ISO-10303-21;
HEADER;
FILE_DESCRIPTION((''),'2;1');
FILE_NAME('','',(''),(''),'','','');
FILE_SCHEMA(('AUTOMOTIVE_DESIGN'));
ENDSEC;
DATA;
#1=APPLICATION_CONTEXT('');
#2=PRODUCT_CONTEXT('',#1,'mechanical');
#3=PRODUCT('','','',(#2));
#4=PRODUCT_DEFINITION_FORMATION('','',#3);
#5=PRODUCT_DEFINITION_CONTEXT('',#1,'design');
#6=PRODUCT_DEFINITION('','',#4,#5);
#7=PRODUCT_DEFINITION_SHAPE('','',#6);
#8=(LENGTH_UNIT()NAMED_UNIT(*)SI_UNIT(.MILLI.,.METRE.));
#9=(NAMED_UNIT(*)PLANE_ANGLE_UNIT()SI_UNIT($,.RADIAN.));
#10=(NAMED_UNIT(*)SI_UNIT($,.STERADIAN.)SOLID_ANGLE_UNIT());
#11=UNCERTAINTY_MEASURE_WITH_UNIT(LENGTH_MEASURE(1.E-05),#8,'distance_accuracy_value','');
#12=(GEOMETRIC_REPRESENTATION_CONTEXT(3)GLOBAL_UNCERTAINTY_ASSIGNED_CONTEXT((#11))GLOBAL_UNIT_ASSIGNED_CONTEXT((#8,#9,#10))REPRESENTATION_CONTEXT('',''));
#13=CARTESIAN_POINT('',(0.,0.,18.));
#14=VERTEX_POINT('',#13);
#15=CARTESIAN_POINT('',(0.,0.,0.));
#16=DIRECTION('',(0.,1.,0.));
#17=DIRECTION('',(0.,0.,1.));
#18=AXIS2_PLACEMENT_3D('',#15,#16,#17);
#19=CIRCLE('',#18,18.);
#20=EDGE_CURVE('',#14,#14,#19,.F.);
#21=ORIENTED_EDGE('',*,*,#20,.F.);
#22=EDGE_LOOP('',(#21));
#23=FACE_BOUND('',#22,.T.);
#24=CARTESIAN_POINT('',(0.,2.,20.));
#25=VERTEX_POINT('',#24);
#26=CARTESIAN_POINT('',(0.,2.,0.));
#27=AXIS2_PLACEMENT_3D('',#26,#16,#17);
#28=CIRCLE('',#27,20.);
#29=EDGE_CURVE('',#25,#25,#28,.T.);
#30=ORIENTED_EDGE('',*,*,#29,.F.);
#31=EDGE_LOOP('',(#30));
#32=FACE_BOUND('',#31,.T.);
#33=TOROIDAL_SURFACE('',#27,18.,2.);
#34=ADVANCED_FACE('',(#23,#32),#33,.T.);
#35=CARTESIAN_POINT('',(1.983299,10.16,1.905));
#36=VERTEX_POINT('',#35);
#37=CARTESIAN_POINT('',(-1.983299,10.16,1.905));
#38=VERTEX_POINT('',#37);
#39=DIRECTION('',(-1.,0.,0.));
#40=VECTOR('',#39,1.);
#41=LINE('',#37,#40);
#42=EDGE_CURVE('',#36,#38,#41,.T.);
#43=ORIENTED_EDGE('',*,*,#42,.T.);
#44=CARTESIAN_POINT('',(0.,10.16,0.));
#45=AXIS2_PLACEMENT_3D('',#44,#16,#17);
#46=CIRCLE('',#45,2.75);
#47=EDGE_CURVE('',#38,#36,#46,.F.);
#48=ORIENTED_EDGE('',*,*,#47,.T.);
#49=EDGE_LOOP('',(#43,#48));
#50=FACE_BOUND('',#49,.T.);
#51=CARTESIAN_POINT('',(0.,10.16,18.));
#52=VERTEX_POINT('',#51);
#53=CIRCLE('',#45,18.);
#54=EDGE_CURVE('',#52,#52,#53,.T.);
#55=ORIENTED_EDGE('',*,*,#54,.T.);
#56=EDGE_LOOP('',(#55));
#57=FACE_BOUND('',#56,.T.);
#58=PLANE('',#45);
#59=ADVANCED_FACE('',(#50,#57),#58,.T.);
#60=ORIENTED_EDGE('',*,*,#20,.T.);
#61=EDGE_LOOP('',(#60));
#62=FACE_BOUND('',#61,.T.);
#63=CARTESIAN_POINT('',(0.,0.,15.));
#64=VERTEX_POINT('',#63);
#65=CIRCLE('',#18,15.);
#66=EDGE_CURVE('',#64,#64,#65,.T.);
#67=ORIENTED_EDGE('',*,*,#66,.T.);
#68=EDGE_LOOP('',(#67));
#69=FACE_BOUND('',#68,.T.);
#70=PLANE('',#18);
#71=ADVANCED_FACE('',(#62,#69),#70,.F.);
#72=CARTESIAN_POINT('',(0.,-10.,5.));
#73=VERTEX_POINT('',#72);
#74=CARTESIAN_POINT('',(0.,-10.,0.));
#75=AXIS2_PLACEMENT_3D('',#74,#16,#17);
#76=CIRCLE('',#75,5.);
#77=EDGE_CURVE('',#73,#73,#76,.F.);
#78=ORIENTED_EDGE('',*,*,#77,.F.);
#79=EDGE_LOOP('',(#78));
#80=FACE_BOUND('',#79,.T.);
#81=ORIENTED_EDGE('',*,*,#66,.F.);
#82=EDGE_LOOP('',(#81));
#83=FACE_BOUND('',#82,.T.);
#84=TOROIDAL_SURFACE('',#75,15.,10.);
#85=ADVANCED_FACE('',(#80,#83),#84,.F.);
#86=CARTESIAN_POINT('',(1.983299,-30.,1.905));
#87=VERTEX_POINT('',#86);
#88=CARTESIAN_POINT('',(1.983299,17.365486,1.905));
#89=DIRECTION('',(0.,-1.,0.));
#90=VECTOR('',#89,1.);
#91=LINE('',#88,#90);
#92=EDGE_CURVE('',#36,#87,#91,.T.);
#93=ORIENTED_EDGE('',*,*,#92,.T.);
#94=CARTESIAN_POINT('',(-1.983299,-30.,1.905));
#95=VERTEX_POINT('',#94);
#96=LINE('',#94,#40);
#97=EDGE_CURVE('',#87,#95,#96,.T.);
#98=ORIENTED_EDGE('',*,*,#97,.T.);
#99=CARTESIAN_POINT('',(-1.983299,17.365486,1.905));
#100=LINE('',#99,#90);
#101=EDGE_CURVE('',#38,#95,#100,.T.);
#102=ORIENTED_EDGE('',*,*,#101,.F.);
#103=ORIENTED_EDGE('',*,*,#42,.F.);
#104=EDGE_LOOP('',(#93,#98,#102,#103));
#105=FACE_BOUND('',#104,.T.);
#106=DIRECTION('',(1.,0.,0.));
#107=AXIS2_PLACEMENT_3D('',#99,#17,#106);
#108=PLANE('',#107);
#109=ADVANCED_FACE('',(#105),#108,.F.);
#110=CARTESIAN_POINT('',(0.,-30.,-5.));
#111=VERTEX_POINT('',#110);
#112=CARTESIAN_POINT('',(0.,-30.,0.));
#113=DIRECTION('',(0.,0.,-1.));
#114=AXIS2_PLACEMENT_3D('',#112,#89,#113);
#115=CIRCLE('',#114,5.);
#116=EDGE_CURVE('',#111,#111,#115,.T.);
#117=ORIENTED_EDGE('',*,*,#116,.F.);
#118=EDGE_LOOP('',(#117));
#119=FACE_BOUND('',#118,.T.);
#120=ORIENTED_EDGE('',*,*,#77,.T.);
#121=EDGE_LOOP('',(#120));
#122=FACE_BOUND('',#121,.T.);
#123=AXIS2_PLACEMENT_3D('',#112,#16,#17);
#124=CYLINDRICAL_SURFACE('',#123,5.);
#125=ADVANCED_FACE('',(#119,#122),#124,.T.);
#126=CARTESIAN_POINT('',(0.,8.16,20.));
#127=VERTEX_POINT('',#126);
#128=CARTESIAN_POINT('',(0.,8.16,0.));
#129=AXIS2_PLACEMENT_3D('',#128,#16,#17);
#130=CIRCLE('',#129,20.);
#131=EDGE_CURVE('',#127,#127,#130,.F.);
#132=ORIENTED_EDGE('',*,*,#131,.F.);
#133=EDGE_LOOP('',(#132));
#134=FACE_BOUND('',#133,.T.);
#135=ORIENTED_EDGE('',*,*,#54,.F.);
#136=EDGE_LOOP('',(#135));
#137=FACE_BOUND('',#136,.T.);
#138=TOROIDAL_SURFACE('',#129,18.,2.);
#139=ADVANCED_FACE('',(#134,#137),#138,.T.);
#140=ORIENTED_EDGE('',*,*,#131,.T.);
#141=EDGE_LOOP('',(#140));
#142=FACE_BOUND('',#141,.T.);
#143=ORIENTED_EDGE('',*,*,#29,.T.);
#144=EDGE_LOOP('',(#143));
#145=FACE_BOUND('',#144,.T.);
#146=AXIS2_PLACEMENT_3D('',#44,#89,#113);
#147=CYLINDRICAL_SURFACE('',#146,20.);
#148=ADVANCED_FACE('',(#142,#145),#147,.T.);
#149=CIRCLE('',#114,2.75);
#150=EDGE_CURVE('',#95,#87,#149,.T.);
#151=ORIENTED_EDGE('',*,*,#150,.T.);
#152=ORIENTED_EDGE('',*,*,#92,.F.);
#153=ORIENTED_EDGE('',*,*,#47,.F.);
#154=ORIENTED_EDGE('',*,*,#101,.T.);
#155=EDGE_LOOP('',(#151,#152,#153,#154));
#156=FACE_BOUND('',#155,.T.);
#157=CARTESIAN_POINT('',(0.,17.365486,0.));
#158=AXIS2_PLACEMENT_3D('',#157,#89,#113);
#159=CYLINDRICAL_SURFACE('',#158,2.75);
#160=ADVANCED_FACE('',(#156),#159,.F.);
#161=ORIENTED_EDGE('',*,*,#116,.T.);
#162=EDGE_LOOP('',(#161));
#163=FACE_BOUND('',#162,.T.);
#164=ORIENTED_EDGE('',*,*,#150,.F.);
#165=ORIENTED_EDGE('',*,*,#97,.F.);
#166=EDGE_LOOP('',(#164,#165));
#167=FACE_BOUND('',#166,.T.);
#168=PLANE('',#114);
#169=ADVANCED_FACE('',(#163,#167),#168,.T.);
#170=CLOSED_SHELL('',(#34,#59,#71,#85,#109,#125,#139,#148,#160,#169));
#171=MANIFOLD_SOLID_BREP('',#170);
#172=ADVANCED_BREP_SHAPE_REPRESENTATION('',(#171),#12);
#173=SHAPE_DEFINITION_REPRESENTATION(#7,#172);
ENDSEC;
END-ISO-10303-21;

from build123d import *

# Parameters (mm, degrees)
SKETCH1_R           = 20
BOSS_EXTRUDE1_DEPTH = 10.16
SKETCH3_R           = 5
BOSS_EXTRUDE3_DEPTH = 30
CUT_EXTRUDE1_DEPTH  = 40.16
FILLET1_R           = 10
FILLET2_R           = 2


with BuildPart() as part:
    # Sketch1 → Boss-Extrude1 (new body)
    with BuildSketch(Plane(origin=(0, 0, 0), x_dir=(1, 0, 0), z_dir=(0, 1, 0))):
        Circle(SKETCH1_R)
    extrude(amount=BOSS_EXTRUDE1_DEPTH)

    # Sketch3 → Boss-Extrude3 (add)
    with BuildSketch(Plane.XZ):
        Circle(SKETCH3_R)
    extrude(amount=BOSS_EXTRUDE3_DEPTH)

    # Sketch5 → Cut-Extrude1 (cut)
    with BuildSketch(Plane.XZ.offset(30)):
        with BuildLine():
            Line((-1.983299019, 1.905), (1.983299019, 1.905))
            ThreePointArc((1.983299019, 1.905), (0, -2.75), (-1.983299019, 1.905))
        make_face()
    extrude(amount=-CUT_EXTRUDE1_DEPTH, mode=Mode.SUBTRACT)

    # Fillet1
    fillet1_edges = [part.edges().sort_by_distance(p)[0] for p in [
        (-5, 0, 0),
    ]]
    fillet(fillet1_edges, radius=FILLET1_R)

    # Fillet2
    fillet2_edges = [part.edges().sort_by_distance(p)[0] for p in [
        (-20, 0, 0),
        (-20, 10.16, 0),
    ]]
    fillet(fillet2_edges, radius=FILLET2_R)


solid = part.part
